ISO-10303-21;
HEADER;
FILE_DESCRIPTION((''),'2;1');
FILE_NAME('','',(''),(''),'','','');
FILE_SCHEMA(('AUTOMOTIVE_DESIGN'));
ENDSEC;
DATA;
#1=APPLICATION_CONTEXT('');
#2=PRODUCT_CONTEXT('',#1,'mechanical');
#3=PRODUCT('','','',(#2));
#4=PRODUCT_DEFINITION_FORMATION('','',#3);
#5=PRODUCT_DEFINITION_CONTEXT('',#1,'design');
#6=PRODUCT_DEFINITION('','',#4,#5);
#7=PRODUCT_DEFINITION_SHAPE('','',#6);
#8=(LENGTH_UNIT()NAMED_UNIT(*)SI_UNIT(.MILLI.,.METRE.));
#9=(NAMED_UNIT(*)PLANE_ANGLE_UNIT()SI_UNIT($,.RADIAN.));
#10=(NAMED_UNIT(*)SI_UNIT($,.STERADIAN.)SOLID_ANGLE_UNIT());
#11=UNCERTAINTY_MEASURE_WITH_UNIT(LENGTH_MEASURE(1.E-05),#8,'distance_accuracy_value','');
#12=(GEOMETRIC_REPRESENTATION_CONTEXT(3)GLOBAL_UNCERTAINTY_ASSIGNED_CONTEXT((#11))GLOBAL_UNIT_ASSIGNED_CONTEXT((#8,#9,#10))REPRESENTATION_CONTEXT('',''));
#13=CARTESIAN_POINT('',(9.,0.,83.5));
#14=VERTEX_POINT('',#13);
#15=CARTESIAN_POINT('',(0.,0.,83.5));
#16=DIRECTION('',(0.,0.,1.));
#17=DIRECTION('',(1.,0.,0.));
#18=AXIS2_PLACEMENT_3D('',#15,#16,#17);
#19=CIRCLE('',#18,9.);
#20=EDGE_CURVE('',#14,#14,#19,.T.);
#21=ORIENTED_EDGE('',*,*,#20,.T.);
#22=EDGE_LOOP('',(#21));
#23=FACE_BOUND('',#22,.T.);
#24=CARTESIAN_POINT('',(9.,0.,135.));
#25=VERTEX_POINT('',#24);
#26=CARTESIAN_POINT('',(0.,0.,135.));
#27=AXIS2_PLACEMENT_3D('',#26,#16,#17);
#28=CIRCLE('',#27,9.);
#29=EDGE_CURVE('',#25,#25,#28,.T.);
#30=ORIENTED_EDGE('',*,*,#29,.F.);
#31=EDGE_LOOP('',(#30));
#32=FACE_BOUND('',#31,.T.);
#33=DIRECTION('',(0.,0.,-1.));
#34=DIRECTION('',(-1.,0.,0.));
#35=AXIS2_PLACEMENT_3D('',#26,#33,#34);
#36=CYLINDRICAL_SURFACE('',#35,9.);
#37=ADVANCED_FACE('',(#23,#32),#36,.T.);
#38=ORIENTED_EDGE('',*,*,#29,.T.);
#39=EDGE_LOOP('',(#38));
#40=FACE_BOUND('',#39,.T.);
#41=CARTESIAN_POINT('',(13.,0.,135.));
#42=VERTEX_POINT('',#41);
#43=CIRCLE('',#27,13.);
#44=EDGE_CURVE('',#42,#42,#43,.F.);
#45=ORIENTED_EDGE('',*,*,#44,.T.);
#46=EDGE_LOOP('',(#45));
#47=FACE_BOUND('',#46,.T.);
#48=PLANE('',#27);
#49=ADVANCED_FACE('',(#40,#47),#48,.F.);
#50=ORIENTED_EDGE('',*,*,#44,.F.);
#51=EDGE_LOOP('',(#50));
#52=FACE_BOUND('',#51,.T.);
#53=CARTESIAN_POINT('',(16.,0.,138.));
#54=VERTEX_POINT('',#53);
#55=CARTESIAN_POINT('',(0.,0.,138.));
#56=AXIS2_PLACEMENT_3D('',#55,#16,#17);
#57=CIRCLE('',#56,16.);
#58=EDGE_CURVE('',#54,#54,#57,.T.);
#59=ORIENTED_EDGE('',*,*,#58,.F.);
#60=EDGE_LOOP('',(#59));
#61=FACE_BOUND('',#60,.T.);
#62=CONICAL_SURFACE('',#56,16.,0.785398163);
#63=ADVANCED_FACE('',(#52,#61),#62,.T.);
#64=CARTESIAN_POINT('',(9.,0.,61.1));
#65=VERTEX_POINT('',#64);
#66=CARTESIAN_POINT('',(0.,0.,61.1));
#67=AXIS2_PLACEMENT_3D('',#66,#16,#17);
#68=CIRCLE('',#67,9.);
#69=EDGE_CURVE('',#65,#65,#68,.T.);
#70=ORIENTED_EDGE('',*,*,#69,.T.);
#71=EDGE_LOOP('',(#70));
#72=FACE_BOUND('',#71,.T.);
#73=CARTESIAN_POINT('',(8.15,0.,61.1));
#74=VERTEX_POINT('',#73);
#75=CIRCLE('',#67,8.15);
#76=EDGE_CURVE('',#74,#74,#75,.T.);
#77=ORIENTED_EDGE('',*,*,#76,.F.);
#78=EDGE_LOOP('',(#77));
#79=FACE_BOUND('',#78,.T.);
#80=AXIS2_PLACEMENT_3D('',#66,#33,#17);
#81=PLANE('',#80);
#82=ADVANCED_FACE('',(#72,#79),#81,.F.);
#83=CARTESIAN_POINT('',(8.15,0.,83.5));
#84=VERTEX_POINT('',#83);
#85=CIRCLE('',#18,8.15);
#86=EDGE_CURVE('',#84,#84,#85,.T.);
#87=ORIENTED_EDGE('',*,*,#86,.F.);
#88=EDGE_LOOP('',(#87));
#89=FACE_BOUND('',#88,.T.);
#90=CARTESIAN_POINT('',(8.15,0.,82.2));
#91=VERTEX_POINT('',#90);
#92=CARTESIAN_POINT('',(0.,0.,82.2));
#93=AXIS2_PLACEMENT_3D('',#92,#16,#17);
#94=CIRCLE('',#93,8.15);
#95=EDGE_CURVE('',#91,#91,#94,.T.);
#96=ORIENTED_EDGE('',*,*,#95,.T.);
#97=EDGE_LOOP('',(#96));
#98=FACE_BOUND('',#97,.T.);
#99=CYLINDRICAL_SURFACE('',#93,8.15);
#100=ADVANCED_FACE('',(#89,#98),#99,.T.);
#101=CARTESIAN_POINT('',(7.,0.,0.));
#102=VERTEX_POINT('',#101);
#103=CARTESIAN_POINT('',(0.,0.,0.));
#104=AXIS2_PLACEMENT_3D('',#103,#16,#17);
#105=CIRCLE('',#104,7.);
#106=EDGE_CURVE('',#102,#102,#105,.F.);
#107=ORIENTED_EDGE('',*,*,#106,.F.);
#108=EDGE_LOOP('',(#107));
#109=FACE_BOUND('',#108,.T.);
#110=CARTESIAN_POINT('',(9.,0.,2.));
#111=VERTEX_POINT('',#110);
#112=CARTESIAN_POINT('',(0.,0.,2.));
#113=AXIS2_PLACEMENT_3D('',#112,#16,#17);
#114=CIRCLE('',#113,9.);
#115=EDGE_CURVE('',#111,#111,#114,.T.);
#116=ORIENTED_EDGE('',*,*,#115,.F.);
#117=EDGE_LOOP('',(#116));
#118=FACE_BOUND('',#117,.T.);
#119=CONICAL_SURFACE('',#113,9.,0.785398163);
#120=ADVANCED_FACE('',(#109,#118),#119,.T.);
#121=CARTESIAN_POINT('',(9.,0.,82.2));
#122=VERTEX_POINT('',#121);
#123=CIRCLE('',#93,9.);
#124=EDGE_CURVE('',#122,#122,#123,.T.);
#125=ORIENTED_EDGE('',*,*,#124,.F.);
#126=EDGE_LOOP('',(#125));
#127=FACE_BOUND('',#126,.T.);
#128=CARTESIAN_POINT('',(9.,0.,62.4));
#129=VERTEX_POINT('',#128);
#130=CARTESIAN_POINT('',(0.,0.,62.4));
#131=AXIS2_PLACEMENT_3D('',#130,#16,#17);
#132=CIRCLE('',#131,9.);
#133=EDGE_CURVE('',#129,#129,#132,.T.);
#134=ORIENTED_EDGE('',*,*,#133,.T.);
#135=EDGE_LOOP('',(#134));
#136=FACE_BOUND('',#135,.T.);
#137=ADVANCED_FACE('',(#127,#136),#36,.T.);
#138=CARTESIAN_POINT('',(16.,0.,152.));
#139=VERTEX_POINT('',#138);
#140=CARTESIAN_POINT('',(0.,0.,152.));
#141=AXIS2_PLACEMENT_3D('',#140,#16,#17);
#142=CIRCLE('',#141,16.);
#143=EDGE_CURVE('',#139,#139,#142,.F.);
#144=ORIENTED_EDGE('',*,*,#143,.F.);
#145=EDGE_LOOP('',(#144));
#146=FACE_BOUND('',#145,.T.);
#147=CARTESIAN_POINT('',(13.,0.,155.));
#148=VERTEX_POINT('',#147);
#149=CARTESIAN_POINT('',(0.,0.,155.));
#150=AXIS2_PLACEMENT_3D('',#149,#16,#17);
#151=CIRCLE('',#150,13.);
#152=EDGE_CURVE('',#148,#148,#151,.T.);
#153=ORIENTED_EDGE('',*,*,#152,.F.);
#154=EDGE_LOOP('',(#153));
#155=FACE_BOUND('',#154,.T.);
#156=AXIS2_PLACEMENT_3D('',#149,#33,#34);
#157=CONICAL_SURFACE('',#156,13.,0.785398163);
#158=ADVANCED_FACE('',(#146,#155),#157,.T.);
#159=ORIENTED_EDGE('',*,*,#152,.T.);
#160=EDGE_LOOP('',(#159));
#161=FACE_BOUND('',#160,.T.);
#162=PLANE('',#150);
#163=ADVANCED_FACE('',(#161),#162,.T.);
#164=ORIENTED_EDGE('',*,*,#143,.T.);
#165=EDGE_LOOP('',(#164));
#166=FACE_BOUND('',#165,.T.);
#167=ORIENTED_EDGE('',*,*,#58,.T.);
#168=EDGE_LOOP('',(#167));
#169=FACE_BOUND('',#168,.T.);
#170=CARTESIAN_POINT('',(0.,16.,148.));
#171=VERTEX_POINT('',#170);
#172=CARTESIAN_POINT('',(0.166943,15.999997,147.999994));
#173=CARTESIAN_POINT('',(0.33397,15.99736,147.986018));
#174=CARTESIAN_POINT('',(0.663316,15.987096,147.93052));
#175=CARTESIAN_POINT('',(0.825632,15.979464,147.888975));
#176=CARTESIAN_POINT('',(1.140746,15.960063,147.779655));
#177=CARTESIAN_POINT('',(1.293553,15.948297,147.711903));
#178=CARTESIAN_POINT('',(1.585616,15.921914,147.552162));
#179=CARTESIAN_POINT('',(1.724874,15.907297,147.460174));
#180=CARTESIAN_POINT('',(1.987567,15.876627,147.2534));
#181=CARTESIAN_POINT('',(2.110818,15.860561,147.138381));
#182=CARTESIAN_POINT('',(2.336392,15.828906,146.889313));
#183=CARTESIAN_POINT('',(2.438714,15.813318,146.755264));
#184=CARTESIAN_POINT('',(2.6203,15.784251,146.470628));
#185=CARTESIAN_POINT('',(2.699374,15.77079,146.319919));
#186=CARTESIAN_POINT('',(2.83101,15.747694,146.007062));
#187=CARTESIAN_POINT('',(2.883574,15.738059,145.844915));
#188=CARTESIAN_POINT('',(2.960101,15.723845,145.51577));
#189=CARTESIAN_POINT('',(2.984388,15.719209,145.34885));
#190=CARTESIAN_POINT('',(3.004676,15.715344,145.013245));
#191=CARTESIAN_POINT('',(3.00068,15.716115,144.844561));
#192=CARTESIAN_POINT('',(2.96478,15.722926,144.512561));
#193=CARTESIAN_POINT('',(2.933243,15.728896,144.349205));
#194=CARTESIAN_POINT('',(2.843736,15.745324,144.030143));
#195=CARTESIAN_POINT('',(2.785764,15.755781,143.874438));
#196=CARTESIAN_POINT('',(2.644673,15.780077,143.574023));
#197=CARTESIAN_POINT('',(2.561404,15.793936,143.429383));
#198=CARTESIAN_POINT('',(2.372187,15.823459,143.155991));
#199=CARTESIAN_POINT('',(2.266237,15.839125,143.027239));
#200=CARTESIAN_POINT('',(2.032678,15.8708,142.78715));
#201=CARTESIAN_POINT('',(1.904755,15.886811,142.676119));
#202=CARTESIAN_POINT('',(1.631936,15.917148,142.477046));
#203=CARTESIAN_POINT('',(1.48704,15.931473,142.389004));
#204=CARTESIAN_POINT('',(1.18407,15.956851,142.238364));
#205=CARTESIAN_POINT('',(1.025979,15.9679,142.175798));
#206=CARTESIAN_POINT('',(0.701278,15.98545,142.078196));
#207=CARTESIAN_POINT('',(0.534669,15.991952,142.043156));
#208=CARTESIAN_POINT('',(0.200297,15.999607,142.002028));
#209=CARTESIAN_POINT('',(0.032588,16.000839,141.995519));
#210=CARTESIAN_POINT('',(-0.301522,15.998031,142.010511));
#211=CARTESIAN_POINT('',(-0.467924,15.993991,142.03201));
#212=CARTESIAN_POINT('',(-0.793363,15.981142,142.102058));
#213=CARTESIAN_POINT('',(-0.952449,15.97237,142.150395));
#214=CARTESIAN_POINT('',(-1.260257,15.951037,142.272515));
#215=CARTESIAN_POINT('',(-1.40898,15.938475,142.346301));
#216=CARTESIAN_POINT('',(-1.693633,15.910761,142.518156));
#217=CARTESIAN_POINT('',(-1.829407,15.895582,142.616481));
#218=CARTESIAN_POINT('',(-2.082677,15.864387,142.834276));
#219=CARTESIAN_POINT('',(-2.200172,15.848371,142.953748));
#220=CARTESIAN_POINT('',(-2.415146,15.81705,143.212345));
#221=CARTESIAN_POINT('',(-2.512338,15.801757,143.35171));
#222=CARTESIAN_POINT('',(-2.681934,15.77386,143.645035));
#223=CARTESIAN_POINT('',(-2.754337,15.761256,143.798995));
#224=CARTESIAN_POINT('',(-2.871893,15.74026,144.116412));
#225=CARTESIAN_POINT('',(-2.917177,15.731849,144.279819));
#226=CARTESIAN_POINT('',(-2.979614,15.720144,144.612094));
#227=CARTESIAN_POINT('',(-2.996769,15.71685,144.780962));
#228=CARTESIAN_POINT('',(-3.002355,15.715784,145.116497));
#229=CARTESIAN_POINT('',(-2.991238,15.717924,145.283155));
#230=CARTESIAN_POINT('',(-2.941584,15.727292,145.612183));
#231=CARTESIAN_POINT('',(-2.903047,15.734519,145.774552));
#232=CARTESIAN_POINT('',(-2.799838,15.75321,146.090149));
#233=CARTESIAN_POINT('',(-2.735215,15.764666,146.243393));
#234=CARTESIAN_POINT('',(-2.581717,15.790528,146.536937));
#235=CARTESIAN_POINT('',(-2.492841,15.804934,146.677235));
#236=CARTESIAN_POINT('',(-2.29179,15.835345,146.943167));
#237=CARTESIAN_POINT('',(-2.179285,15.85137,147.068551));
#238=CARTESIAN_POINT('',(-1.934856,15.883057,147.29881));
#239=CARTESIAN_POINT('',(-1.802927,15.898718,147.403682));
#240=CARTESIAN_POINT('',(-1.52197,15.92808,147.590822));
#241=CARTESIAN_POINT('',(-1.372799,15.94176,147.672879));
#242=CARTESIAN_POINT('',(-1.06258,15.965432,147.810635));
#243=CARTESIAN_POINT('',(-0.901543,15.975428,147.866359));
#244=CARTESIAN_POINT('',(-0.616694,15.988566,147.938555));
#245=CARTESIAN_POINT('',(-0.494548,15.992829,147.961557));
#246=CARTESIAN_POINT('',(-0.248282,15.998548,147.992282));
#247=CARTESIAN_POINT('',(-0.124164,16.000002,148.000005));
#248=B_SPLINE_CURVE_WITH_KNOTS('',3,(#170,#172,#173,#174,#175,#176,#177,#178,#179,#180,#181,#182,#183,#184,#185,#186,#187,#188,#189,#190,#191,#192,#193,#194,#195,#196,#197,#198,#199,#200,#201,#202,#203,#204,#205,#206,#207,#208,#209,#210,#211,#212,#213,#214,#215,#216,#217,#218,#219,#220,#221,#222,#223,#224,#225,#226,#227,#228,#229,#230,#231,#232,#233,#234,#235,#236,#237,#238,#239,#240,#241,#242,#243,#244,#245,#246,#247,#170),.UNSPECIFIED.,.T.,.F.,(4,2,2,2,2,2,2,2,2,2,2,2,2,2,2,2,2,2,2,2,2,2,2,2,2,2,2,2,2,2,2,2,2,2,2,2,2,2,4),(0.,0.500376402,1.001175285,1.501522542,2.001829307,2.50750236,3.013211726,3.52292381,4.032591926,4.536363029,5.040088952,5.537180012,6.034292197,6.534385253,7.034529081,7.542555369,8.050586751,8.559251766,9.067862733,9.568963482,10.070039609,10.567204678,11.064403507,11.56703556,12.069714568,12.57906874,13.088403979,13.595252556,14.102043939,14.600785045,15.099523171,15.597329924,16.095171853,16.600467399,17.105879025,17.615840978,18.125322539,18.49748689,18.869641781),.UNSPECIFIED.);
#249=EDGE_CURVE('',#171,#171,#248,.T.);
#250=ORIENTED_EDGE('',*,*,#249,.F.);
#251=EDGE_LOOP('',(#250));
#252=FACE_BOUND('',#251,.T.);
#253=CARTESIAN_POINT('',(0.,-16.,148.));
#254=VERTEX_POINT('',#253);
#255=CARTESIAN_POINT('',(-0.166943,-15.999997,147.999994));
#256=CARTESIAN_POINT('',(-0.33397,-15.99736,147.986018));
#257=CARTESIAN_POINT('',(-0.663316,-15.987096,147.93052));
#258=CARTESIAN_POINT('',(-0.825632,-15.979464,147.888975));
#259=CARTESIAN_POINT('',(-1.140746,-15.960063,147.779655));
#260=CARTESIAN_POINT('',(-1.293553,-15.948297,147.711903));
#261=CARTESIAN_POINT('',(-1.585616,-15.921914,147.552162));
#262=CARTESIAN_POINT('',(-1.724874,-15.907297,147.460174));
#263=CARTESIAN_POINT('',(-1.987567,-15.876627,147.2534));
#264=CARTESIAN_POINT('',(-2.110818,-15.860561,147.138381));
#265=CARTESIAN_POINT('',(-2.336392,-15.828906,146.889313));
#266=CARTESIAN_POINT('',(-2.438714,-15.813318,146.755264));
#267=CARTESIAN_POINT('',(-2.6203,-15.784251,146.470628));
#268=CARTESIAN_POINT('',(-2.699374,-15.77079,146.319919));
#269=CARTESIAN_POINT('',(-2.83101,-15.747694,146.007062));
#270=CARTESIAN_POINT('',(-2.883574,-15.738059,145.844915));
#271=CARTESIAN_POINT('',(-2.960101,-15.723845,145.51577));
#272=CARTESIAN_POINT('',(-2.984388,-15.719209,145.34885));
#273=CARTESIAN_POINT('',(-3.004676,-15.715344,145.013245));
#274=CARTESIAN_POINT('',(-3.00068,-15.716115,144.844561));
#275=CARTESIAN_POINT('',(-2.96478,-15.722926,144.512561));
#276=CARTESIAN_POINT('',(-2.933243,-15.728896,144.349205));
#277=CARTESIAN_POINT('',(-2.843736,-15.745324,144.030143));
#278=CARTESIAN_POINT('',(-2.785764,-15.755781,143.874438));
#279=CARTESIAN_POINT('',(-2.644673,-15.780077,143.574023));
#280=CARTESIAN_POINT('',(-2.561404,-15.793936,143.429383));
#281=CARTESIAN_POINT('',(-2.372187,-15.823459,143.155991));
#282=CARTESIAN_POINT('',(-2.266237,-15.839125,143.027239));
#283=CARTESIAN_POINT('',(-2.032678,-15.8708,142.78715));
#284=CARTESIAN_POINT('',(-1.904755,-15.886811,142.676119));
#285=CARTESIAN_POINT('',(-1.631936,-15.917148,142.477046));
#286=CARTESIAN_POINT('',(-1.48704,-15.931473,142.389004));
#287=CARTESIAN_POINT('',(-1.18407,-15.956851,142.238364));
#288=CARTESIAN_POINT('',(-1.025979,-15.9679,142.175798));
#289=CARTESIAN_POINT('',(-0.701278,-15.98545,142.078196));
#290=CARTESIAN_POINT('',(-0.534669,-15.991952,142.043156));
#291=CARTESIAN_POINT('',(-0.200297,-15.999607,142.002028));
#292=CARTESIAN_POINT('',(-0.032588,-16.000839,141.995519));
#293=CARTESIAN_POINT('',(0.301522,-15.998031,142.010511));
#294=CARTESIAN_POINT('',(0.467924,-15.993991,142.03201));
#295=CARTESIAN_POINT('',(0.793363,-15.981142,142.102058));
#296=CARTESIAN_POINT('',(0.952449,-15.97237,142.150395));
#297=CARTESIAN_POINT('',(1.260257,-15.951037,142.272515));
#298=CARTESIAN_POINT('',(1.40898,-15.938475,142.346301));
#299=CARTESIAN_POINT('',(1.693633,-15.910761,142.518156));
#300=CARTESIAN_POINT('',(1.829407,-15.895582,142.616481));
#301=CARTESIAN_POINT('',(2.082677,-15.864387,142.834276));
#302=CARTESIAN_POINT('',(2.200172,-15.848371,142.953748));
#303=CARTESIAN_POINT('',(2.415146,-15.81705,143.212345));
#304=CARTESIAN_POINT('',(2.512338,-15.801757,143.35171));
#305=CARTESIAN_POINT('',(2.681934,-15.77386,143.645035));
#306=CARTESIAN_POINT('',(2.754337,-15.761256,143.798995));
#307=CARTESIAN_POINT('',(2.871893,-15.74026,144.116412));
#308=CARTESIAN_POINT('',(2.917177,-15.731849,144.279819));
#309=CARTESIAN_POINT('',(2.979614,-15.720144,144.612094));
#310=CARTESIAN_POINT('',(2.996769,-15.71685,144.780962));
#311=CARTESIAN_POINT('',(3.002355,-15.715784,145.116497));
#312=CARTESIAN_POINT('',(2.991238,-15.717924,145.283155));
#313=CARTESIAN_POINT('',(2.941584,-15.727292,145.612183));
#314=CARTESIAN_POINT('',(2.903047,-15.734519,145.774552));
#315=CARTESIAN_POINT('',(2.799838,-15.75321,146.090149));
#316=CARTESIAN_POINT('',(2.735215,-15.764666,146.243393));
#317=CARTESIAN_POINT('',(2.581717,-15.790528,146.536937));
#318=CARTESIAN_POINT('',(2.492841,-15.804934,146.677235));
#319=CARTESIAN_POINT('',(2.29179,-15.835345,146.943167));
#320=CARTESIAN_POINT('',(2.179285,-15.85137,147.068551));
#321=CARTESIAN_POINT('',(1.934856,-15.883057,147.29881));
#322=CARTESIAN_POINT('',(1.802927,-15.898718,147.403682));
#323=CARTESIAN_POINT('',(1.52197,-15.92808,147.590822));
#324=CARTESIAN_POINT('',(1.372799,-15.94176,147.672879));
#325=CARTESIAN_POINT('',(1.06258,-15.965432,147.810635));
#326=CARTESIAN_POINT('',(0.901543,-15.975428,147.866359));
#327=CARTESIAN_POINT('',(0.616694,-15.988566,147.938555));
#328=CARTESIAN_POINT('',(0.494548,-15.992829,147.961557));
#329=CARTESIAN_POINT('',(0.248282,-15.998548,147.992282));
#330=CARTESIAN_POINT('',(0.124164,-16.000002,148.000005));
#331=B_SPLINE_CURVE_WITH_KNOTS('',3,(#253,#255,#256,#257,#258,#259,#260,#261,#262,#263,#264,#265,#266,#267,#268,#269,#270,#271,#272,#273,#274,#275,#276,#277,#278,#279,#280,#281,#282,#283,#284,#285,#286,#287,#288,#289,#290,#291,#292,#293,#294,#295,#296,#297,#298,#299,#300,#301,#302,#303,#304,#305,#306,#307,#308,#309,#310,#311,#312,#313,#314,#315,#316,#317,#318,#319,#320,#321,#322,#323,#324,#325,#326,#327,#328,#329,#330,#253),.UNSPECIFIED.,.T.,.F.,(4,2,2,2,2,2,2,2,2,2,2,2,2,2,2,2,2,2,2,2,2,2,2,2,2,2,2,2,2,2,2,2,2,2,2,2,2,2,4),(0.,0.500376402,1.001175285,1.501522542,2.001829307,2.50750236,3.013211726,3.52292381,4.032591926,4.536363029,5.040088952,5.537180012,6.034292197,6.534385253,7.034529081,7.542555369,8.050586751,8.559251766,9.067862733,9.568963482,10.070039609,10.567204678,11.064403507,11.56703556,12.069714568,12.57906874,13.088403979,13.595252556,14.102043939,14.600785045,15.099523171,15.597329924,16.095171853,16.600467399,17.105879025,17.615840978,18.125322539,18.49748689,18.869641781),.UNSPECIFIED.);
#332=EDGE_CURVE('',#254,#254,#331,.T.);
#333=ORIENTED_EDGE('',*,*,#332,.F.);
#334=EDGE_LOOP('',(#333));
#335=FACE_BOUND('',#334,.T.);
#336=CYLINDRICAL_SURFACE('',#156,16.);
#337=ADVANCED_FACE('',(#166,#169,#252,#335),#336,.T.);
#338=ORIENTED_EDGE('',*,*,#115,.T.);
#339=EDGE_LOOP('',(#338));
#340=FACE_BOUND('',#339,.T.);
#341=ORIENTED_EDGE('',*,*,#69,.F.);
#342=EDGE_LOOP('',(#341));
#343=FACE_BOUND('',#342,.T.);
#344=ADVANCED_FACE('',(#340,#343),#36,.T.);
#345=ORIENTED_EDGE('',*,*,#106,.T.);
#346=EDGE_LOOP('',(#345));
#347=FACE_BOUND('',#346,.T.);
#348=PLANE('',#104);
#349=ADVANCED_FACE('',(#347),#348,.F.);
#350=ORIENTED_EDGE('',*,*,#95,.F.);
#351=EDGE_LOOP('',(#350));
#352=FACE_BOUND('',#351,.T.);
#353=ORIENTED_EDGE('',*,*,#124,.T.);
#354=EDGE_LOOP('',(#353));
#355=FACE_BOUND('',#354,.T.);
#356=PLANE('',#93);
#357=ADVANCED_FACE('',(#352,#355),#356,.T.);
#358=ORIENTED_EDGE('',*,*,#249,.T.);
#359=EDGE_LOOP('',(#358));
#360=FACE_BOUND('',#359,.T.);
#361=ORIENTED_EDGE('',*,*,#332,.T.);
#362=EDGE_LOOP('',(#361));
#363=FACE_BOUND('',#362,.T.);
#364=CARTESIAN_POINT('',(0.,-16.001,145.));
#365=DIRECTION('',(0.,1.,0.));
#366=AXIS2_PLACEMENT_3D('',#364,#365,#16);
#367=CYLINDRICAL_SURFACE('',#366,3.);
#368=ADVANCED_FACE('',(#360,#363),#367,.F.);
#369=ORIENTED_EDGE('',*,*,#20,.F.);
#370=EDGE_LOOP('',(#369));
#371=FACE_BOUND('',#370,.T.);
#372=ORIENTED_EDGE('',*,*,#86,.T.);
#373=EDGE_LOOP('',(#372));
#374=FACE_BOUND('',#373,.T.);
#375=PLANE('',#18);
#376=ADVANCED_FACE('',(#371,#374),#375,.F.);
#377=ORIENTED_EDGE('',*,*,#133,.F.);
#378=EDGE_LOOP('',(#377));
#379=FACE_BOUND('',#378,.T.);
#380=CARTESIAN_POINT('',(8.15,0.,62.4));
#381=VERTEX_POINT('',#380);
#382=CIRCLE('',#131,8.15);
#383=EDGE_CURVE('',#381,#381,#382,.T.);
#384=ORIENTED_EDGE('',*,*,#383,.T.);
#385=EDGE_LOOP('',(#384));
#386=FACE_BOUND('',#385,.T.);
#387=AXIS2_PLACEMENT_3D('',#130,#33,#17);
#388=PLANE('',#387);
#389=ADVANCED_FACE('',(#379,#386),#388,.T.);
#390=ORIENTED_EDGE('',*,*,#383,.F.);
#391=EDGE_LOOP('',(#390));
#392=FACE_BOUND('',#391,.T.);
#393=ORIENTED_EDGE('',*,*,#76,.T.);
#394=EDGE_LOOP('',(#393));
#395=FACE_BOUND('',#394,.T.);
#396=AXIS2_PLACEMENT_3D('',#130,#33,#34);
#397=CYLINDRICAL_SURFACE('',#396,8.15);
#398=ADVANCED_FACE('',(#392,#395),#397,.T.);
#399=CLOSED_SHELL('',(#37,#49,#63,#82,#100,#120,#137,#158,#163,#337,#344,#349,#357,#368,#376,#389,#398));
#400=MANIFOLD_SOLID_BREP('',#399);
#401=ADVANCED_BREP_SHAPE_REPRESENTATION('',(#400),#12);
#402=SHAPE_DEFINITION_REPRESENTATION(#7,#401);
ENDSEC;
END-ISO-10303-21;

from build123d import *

# Parameters (mm, degrees)
SCHIZZO2_R                   = 9
ESTRUSIONE_ESTRUSIONE1_DEPTH = 135
SCHIZZO3_R                   = 16
ESTRUSIONE_ESTRUSIONE2_DEPTH = 20
TAGLIO_ESTRUSIONE1_REACH     = 161.075
SCHIZZO4_R                   = 3
SMUSSO1_SIZE                 = 3
SMUSSO2_SIZE                 = 2
TAGLIO_ESTRUSIONE2_START     = -1.3
SCHIZZO6_R                   = 9
SCHIZZO6_R_2                 = 8.15
TAGLIO_ESTRUSIONE2_DEPTH     = 1.3


with BuildPart() as part:
    # Schizzo2 → Estrusione-Estrusione1 (new body)
    with BuildSketch(Plane.XY):
        Circle(SCHIZZO2_R)
    extrude(amount=ESTRUSIONE_ESTRUSIONE1_DEPTH)

    # Schizzo3 → Estrusione-Estrusione2 (add)
    with BuildSketch(Plane.XY.offset(135)):
        Circle(SCHIZZO3_R)
    extrude(amount=ESTRUSIONE_ESTRUSIONE2_DEPTH)

    # Schizzo4 → Taglio-Estrusione1 (cut, up to next)
    with BuildSketch(Plane(origin=(0, 16, 0), x_dir=(1, 0, 0), z_dir=(0, 1, 0)), mode=Mode.PRIVATE) as taglio_estrusione1_sk1:
        with Locations(Location((0, -145, 0), (0, 0, 270))):
            Circle(SCHIZZO4_R)
    taglio_estrusione1_tool1 = extrude(taglio_estrusione1_sk1.sketch, amount=-TAGLIO_ESTRUSIONE1_REACH, mode=Mode.PRIVATE) & part.part
    add(taglio_estrusione1_tool1.solids().sort_by_distance((0, 16, 145))[0], mode=Mode.SUBTRACT)

    # Smusso1
    smusso1_edges = [part.edges().sort_by_distance(p)[0] for p in [
        (-16, 0, 135),
        (-16, 0, 155),
    ]]
    chamfer(smusso1_edges, length=SMUSSO1_SIZE)

    # Smusso2
    smusso2_edges = [part.edges().sort_by_distance(p)[0] for p in [
        (-9, 0, 0),
    ]]
    chamfer(smusso2_edges, length=SMUSSO2_SIZE)

    # Schizzo6 → Taglio-Estrusione2 (cut)
    with BuildSketch(Plane.XY.offset(83.5).offset(TAGLIO_ESTRUSIONE2_START)):
        Circle(SCHIZZO6_R)
        Circle(SCHIZZO6_R_2, mode=Mode.SUBTRACT)
    taglio_estrusione2 = extrude(amount=TAGLIO_ESTRUSIONE2_DEPTH, mode=Mode.SUBTRACT)

    # Specchia1: Taglio-Estrusione2 across plane
    add(taglio_estrusione2.mirror(Plane(origin=(0, 0, 72.3), x_dir=(1, 0, 0), z_dir=(0, 0, -1))), mode=Mode.SUBTRACT)


solid = part.part
